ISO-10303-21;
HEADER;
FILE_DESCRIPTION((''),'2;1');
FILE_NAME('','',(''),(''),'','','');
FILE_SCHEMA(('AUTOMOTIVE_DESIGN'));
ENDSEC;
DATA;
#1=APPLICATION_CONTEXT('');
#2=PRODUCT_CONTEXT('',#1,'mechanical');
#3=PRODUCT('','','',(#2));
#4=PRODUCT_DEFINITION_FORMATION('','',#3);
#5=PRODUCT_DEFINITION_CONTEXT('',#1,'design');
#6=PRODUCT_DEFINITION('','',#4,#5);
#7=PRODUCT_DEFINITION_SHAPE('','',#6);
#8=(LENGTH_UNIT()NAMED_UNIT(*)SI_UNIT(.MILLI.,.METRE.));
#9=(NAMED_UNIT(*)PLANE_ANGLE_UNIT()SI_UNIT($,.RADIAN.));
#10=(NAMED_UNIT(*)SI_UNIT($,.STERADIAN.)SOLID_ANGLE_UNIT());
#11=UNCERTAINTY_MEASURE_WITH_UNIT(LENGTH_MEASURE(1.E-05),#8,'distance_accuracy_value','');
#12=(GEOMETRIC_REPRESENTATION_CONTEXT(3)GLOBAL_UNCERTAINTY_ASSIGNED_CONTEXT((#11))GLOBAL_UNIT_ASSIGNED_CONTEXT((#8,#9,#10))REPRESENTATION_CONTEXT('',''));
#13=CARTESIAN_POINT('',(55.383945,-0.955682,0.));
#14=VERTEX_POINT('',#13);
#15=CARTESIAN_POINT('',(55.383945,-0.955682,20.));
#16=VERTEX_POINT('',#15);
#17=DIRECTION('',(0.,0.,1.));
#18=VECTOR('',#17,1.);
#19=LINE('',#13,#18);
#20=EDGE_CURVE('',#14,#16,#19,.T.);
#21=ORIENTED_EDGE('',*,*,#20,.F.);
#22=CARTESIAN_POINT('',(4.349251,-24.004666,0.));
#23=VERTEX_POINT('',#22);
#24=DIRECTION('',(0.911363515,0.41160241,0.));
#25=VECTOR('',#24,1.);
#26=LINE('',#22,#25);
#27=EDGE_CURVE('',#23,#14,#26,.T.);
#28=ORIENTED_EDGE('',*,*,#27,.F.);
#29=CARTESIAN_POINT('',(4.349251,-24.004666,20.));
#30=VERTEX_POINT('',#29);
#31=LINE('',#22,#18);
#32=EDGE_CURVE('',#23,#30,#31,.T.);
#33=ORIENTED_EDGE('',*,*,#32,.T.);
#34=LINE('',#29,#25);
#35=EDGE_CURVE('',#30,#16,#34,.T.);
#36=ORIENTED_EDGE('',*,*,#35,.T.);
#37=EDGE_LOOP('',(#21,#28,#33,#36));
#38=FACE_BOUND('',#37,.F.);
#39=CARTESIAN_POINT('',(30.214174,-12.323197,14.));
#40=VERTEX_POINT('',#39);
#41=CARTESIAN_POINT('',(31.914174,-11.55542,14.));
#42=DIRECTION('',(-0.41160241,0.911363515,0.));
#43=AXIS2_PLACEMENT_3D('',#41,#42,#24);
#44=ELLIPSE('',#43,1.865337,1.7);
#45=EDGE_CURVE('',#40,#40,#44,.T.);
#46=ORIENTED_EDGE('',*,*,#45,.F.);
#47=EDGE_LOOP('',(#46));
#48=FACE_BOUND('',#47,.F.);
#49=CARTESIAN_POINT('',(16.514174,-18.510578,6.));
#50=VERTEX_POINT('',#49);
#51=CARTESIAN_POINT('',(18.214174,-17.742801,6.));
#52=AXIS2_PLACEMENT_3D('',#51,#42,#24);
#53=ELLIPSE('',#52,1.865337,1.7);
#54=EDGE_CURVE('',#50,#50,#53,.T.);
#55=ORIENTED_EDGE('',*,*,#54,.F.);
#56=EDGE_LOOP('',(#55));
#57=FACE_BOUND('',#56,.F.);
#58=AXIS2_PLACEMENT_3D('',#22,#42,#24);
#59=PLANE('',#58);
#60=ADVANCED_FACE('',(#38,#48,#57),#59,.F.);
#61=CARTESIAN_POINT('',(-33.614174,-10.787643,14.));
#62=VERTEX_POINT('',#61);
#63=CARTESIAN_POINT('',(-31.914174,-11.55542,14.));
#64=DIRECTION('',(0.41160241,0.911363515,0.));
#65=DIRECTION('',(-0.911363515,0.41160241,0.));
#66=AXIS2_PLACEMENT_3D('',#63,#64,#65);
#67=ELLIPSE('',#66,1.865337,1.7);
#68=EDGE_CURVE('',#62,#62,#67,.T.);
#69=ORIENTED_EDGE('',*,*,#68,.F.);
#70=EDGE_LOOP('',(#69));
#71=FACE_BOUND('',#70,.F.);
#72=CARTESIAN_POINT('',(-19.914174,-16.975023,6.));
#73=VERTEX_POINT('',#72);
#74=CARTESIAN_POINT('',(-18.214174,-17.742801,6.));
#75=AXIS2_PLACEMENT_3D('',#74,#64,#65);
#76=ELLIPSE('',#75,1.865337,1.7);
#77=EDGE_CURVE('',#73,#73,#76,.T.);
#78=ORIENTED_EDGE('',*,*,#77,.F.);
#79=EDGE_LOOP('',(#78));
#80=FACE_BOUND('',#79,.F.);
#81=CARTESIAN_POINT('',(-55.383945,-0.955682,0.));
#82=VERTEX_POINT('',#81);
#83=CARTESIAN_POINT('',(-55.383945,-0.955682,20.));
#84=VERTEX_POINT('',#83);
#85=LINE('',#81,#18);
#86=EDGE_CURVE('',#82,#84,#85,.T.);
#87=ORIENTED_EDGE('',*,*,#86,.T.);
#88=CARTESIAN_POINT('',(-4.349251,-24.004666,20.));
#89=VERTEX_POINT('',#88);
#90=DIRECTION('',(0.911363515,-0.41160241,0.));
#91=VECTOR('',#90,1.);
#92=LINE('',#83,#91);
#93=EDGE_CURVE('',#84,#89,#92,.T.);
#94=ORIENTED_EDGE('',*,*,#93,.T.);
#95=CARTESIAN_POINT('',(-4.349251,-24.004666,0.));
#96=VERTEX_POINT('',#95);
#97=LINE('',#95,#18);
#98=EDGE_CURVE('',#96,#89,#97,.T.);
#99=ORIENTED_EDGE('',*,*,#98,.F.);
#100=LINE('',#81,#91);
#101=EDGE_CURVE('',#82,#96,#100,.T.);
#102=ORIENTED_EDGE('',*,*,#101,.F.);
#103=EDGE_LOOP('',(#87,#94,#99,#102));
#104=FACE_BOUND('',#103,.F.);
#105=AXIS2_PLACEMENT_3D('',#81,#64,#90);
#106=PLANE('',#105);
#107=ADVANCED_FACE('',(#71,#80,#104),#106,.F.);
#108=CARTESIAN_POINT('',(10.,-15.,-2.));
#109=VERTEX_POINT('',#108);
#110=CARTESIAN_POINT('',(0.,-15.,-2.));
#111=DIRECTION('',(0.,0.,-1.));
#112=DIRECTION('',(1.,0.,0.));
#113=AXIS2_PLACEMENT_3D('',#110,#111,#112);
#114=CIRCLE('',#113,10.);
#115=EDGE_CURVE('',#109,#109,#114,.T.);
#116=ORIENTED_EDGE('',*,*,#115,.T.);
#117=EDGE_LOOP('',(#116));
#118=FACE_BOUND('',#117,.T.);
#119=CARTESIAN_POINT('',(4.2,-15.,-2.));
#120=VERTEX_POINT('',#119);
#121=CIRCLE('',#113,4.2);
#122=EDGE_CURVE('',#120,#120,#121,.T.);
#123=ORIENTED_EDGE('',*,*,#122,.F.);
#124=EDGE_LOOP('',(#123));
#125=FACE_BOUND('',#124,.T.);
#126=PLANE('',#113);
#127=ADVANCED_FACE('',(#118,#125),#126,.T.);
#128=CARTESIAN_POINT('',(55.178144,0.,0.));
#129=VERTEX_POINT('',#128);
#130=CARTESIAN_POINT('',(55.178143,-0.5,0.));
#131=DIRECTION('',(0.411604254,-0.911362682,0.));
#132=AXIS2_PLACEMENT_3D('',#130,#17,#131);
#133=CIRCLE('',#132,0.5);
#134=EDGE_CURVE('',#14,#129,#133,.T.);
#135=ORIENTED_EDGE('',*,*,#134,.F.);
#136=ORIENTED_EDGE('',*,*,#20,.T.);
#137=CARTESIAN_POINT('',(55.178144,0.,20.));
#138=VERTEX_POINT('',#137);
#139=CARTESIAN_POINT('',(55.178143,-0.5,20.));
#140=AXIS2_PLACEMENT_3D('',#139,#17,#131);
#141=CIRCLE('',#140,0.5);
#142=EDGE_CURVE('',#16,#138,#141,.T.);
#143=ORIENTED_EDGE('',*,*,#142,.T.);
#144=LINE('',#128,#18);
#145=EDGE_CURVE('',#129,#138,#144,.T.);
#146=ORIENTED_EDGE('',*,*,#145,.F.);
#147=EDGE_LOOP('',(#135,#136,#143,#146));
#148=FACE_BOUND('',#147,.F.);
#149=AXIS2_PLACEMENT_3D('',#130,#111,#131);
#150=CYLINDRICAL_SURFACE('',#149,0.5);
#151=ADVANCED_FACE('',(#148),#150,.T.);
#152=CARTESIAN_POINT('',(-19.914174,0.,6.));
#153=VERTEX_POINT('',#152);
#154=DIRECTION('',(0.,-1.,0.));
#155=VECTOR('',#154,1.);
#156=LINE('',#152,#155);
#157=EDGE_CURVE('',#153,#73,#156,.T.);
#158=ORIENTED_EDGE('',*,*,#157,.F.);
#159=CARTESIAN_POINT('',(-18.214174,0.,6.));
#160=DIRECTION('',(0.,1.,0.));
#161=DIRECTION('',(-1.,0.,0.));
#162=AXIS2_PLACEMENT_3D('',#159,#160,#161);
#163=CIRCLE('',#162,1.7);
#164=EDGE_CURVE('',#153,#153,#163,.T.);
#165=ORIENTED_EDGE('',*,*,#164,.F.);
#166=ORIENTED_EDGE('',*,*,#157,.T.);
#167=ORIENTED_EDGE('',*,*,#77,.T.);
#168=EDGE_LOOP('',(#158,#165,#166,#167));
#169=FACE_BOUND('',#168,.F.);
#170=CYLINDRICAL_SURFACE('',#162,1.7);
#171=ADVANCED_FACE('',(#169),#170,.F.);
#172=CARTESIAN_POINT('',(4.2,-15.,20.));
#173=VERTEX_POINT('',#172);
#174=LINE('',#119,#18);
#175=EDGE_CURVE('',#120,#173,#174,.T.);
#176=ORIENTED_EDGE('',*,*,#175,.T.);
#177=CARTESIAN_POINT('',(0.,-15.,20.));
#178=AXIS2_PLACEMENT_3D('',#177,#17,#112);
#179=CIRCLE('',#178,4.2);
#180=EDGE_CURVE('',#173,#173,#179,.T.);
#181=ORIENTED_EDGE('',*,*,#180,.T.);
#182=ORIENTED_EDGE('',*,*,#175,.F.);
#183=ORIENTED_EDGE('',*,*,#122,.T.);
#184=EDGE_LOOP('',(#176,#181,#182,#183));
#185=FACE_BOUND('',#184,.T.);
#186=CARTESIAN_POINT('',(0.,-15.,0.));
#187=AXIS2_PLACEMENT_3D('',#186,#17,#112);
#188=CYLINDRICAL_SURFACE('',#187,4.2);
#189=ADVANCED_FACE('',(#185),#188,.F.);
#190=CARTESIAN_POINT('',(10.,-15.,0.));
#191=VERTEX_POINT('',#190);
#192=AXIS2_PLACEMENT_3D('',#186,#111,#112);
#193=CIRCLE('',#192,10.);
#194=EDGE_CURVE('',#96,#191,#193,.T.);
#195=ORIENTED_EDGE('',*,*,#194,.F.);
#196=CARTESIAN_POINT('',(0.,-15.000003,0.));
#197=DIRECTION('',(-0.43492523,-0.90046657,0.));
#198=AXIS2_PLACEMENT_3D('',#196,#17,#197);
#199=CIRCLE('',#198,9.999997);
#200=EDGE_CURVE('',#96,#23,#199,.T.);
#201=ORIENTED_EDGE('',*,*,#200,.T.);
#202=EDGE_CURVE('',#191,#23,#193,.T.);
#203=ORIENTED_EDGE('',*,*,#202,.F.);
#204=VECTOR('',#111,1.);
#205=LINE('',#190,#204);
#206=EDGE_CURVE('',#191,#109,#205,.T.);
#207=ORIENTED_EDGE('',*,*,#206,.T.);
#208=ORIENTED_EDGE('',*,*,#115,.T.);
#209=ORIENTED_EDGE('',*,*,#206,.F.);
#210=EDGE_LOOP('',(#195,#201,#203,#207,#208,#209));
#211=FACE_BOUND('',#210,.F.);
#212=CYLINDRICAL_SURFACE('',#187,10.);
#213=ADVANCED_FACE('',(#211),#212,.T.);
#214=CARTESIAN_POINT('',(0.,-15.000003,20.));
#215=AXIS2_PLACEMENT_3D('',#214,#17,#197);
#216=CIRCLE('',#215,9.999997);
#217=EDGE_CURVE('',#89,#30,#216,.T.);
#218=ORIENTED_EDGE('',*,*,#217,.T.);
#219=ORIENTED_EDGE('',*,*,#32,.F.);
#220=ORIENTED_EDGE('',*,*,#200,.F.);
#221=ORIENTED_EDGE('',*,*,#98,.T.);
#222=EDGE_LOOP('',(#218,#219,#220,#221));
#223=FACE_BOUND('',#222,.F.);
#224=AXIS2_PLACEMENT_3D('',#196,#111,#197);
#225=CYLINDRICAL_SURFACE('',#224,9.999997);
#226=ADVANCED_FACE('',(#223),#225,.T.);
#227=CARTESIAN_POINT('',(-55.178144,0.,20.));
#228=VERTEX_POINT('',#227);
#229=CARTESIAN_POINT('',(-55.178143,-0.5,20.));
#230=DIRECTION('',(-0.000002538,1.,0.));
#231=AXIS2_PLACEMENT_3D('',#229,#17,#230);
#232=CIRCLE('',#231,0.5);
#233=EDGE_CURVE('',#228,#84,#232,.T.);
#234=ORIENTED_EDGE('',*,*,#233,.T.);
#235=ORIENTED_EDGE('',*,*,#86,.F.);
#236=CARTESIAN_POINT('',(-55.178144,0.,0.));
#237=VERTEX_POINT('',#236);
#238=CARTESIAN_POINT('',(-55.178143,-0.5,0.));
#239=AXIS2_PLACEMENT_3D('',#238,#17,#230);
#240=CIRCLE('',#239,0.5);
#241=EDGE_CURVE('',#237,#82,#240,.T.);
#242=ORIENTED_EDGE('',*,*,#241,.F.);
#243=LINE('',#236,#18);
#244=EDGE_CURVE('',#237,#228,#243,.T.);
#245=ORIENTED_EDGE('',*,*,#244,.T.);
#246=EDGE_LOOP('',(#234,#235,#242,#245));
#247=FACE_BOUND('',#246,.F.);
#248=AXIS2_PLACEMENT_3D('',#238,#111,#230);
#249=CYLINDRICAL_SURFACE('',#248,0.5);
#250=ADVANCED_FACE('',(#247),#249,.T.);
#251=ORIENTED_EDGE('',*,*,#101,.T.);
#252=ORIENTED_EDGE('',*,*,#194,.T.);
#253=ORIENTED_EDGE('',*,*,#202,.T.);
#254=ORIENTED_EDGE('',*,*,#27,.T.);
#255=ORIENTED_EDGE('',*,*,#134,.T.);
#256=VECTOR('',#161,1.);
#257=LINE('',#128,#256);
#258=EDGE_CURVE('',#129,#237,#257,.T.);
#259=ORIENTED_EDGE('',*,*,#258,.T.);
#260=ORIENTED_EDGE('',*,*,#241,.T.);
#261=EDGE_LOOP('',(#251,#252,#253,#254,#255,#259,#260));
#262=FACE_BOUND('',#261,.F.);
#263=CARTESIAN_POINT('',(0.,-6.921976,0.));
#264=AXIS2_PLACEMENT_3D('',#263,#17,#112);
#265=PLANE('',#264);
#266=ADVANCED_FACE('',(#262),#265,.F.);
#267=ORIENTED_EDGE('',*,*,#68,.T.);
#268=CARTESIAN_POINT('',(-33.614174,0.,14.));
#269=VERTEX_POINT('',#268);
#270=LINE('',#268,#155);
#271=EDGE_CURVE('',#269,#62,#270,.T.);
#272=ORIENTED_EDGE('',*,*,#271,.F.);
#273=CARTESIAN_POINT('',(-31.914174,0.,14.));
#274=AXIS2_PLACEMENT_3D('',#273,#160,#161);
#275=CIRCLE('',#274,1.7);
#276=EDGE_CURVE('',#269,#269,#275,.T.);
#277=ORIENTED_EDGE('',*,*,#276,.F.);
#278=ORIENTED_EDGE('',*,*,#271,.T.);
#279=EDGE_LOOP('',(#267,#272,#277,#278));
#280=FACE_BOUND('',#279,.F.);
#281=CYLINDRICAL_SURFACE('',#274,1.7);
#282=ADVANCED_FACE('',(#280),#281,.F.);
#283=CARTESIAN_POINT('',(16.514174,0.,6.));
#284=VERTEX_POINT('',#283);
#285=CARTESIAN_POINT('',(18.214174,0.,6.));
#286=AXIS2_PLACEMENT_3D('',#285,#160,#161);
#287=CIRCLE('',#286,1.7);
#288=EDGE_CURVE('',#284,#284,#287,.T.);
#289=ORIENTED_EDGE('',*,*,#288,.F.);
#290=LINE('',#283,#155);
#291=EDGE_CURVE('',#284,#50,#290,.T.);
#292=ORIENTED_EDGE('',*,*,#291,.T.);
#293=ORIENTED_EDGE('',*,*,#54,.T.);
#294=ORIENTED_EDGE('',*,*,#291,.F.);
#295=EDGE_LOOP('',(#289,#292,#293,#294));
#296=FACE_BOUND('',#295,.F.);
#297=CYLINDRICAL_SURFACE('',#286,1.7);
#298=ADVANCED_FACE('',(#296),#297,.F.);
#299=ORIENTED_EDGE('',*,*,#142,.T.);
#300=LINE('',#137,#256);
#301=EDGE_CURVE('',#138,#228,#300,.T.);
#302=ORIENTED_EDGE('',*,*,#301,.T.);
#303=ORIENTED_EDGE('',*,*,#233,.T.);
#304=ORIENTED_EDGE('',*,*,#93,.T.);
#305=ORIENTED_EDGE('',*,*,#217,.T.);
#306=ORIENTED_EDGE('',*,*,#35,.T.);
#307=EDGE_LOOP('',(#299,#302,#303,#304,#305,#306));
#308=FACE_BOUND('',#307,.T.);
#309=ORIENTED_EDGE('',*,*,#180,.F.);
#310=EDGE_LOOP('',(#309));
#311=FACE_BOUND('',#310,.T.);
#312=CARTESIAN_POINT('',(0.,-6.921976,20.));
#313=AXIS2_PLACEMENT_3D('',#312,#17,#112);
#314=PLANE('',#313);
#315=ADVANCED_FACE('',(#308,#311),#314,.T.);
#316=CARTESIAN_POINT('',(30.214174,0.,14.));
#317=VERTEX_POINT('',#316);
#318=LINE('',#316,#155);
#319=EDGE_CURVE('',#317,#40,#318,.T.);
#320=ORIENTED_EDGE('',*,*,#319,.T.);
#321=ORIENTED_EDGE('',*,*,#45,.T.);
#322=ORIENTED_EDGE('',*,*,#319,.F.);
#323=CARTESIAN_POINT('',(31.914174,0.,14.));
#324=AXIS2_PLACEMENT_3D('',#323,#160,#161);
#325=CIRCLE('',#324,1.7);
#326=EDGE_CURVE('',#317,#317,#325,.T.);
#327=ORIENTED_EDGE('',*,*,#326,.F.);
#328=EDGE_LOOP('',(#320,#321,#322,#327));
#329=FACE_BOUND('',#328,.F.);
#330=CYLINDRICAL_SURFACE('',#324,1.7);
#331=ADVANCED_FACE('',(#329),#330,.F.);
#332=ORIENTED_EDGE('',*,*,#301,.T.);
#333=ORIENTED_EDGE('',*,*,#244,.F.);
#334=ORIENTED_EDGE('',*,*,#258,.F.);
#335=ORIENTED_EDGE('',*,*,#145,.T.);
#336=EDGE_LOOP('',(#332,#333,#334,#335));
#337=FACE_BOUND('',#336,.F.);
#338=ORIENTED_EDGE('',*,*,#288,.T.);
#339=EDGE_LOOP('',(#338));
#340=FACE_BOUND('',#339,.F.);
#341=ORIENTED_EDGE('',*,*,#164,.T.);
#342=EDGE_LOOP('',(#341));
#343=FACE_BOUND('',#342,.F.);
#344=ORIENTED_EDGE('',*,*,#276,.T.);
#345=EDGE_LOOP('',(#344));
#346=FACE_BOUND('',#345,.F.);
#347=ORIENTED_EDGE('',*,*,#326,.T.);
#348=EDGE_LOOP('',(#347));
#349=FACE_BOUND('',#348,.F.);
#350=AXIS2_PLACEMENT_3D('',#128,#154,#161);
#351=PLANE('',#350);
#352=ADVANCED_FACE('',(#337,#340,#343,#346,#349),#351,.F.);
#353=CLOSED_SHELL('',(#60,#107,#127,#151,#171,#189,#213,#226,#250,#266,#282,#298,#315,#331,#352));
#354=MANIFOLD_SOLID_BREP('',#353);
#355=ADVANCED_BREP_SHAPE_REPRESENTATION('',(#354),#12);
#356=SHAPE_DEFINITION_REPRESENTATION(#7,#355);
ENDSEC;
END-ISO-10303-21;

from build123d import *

# Parameters (mm, degrees)
F0_R     = 4.2
F1_DEPTH = 20
F2_R     = 10
F2_R_2   = 4.2
F3_DEPTH = 2
F4_R     = 1.7
F5_DEPTH = 25


with BuildPart() as f1:
    # F0 (on Top) → F1 (new body)
    with BuildSketch(Plane.XY):
        with BuildLine():
            Line((-55.383945, -0.955682), (-4.349251, -24.004666))
            ThreePointArc((-4.349251, -24.004666), (0, -25), (4.349251, -24.004666))
            Line((4.349251, -24.004666), (55.383945, -0.955682))
            ThreePointArc((55.383945, -0.955682), (55.666938, -0.394741), (55.178144, 0))
            Line((55.178144, 0), (-55.178144, 0))
            ThreePointArc((-55.178144, 0), (-55.666938, -0.394741), (-55.383945, -0.955682))
        make_face()
        with Locations((0, -15)):
            Circle(F0_R, mode=Mode.SUBTRACT)
    extrude(amount=F1_DEPTH)

    # F2 (on face) → F3 (join)
    with BuildSketch(Plane(origin=(0, 0, 0), x_dir=(1, 0, 0), z_dir=(0, 0, -1))):
        with Locations((0, 15)):
            Circle(F2_R)
        with Locations((0, 15)):
            Circle(F2_R_2, mode=Mode.SUBTRACT)
    extrude(amount=F3_DEPTH)

    # F4 (on face) → F5 (cut)
    with BuildSketch(Plane(origin=(0, 0, 0), x_dir=(-1, 0, 0), z_dir=(0, 1, 0))):
        with Locations((-31.914174, 14)):
            Circle(F4_R)
        with Locations((-18.214174, 6)):
            Circle(F4_R)
        with Locations((18.214174, 6)):
            Circle(F4_R)
        with Locations((31.914174, 14)):
            Circle(F4_R)
    extrude(amount=-F5_DEPTH, mode=Mode.SUBTRACT)


solid = f1.part
